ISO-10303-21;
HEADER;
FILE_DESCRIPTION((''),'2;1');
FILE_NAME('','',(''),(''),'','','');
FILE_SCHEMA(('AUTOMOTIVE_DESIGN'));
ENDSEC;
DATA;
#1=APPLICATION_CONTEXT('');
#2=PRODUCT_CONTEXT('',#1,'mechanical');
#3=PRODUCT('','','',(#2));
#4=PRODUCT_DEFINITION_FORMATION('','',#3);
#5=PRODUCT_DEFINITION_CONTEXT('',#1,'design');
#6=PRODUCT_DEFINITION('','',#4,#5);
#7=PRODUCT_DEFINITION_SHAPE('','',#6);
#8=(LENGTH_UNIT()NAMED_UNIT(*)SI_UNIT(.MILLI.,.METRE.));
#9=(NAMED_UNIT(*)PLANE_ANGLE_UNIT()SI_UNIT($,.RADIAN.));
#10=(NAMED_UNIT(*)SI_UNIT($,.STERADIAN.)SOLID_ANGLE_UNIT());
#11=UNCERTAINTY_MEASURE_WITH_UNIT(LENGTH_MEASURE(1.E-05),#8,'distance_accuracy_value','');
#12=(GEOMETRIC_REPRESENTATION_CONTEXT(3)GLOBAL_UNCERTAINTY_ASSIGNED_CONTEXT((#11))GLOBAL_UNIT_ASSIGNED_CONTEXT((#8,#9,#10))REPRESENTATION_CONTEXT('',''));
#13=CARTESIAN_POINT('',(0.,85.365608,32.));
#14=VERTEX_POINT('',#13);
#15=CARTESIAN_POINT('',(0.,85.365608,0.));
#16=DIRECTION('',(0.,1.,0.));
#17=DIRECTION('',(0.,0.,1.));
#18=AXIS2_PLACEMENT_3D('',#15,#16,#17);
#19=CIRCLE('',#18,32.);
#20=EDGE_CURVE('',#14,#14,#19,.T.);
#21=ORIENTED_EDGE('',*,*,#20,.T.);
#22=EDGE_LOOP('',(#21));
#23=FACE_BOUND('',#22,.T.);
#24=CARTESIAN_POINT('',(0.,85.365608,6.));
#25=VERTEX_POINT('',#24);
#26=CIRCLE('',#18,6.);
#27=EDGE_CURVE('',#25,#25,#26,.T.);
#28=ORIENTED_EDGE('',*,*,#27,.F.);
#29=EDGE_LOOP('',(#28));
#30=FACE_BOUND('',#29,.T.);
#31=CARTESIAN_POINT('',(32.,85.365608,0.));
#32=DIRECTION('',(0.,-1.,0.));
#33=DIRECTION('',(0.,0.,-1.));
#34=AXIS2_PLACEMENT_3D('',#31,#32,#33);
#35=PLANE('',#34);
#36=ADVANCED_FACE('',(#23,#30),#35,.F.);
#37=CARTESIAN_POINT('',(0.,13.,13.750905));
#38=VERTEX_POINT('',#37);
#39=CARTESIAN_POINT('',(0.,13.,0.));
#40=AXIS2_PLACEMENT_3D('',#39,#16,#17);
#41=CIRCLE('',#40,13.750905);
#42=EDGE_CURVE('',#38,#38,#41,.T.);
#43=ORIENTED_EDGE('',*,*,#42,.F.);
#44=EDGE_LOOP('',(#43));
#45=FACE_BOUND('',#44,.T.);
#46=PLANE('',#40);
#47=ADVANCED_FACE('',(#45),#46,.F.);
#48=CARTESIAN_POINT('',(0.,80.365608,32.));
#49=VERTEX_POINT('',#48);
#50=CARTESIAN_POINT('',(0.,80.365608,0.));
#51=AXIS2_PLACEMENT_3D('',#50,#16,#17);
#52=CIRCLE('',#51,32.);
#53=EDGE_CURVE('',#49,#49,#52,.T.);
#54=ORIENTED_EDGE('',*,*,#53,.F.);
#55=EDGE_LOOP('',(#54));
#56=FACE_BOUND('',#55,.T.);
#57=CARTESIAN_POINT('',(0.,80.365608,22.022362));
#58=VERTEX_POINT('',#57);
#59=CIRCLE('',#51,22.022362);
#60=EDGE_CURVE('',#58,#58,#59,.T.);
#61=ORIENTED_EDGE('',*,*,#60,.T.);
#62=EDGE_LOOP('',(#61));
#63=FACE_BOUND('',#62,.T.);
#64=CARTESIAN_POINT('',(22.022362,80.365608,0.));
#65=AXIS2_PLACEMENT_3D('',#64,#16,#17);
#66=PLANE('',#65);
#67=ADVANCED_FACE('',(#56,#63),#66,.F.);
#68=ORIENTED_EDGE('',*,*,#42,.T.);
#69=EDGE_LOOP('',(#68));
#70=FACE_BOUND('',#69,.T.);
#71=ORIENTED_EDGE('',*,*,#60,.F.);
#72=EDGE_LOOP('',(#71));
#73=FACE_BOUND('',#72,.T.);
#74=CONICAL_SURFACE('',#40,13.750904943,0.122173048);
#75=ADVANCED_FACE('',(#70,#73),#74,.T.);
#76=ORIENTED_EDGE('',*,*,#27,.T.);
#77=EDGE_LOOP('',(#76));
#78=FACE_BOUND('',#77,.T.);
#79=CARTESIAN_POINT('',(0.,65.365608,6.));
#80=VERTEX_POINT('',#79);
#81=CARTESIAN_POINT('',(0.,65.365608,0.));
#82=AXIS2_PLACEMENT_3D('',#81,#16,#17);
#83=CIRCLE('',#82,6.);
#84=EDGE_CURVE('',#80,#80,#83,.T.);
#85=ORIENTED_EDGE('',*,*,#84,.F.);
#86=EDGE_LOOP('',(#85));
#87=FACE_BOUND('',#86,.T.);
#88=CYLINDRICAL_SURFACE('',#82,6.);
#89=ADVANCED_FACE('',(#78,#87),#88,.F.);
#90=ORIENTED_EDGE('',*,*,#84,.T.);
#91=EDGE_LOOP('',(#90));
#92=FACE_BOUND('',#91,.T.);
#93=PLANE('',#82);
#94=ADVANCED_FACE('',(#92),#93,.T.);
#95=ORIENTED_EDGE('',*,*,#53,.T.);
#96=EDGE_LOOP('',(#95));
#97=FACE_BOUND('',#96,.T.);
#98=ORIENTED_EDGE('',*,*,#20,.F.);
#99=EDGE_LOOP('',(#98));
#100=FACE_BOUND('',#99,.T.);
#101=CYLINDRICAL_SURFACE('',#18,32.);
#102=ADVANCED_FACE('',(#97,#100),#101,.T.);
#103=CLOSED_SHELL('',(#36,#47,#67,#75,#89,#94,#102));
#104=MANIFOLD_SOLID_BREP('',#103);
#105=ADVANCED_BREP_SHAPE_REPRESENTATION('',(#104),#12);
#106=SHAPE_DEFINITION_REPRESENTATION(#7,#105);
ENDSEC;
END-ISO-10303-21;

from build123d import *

# Parameters (mm, degrees)
SKETCH3_R          = 6
CUT_EXTRUDE1_DEPTH = 20


with BuildPart() as part:
    # Sketch2 → Revolve1 (revolve)
    with BuildSketch(Plane.XY, mode=Mode.PRIVATE) as revolve1_sk:
        Polygon((22.022361545, 80.36560803), (32, 80.36560803), (32, 85.36560803), (0, 85.36560803), (0, 13), (13.750904943, 13), align=None)
    revolve(revolve1_sk.sketch.rotate(Axis((0, 85.36560803, 0), (0, -1, 0)), 90), axis=Axis((0, 85.36560803, 0), (0, -1, 0)))

    # Sketch3 → Cut-Extrude1 (cut)
    with BuildSketch(Plane(origin=(0, 85.36560803, 0), x_dir=(1, 0, 0), z_dir=(0, 1, 0))):
        with Locations(Location((0, 0, 0), (0, 0, 270))):
            Circle(SKETCH3_R)
    extrude(amount=-CUT_EXTRUDE1_DEPTH, mode=Mode.SUBTRACT)


solid = part.part
